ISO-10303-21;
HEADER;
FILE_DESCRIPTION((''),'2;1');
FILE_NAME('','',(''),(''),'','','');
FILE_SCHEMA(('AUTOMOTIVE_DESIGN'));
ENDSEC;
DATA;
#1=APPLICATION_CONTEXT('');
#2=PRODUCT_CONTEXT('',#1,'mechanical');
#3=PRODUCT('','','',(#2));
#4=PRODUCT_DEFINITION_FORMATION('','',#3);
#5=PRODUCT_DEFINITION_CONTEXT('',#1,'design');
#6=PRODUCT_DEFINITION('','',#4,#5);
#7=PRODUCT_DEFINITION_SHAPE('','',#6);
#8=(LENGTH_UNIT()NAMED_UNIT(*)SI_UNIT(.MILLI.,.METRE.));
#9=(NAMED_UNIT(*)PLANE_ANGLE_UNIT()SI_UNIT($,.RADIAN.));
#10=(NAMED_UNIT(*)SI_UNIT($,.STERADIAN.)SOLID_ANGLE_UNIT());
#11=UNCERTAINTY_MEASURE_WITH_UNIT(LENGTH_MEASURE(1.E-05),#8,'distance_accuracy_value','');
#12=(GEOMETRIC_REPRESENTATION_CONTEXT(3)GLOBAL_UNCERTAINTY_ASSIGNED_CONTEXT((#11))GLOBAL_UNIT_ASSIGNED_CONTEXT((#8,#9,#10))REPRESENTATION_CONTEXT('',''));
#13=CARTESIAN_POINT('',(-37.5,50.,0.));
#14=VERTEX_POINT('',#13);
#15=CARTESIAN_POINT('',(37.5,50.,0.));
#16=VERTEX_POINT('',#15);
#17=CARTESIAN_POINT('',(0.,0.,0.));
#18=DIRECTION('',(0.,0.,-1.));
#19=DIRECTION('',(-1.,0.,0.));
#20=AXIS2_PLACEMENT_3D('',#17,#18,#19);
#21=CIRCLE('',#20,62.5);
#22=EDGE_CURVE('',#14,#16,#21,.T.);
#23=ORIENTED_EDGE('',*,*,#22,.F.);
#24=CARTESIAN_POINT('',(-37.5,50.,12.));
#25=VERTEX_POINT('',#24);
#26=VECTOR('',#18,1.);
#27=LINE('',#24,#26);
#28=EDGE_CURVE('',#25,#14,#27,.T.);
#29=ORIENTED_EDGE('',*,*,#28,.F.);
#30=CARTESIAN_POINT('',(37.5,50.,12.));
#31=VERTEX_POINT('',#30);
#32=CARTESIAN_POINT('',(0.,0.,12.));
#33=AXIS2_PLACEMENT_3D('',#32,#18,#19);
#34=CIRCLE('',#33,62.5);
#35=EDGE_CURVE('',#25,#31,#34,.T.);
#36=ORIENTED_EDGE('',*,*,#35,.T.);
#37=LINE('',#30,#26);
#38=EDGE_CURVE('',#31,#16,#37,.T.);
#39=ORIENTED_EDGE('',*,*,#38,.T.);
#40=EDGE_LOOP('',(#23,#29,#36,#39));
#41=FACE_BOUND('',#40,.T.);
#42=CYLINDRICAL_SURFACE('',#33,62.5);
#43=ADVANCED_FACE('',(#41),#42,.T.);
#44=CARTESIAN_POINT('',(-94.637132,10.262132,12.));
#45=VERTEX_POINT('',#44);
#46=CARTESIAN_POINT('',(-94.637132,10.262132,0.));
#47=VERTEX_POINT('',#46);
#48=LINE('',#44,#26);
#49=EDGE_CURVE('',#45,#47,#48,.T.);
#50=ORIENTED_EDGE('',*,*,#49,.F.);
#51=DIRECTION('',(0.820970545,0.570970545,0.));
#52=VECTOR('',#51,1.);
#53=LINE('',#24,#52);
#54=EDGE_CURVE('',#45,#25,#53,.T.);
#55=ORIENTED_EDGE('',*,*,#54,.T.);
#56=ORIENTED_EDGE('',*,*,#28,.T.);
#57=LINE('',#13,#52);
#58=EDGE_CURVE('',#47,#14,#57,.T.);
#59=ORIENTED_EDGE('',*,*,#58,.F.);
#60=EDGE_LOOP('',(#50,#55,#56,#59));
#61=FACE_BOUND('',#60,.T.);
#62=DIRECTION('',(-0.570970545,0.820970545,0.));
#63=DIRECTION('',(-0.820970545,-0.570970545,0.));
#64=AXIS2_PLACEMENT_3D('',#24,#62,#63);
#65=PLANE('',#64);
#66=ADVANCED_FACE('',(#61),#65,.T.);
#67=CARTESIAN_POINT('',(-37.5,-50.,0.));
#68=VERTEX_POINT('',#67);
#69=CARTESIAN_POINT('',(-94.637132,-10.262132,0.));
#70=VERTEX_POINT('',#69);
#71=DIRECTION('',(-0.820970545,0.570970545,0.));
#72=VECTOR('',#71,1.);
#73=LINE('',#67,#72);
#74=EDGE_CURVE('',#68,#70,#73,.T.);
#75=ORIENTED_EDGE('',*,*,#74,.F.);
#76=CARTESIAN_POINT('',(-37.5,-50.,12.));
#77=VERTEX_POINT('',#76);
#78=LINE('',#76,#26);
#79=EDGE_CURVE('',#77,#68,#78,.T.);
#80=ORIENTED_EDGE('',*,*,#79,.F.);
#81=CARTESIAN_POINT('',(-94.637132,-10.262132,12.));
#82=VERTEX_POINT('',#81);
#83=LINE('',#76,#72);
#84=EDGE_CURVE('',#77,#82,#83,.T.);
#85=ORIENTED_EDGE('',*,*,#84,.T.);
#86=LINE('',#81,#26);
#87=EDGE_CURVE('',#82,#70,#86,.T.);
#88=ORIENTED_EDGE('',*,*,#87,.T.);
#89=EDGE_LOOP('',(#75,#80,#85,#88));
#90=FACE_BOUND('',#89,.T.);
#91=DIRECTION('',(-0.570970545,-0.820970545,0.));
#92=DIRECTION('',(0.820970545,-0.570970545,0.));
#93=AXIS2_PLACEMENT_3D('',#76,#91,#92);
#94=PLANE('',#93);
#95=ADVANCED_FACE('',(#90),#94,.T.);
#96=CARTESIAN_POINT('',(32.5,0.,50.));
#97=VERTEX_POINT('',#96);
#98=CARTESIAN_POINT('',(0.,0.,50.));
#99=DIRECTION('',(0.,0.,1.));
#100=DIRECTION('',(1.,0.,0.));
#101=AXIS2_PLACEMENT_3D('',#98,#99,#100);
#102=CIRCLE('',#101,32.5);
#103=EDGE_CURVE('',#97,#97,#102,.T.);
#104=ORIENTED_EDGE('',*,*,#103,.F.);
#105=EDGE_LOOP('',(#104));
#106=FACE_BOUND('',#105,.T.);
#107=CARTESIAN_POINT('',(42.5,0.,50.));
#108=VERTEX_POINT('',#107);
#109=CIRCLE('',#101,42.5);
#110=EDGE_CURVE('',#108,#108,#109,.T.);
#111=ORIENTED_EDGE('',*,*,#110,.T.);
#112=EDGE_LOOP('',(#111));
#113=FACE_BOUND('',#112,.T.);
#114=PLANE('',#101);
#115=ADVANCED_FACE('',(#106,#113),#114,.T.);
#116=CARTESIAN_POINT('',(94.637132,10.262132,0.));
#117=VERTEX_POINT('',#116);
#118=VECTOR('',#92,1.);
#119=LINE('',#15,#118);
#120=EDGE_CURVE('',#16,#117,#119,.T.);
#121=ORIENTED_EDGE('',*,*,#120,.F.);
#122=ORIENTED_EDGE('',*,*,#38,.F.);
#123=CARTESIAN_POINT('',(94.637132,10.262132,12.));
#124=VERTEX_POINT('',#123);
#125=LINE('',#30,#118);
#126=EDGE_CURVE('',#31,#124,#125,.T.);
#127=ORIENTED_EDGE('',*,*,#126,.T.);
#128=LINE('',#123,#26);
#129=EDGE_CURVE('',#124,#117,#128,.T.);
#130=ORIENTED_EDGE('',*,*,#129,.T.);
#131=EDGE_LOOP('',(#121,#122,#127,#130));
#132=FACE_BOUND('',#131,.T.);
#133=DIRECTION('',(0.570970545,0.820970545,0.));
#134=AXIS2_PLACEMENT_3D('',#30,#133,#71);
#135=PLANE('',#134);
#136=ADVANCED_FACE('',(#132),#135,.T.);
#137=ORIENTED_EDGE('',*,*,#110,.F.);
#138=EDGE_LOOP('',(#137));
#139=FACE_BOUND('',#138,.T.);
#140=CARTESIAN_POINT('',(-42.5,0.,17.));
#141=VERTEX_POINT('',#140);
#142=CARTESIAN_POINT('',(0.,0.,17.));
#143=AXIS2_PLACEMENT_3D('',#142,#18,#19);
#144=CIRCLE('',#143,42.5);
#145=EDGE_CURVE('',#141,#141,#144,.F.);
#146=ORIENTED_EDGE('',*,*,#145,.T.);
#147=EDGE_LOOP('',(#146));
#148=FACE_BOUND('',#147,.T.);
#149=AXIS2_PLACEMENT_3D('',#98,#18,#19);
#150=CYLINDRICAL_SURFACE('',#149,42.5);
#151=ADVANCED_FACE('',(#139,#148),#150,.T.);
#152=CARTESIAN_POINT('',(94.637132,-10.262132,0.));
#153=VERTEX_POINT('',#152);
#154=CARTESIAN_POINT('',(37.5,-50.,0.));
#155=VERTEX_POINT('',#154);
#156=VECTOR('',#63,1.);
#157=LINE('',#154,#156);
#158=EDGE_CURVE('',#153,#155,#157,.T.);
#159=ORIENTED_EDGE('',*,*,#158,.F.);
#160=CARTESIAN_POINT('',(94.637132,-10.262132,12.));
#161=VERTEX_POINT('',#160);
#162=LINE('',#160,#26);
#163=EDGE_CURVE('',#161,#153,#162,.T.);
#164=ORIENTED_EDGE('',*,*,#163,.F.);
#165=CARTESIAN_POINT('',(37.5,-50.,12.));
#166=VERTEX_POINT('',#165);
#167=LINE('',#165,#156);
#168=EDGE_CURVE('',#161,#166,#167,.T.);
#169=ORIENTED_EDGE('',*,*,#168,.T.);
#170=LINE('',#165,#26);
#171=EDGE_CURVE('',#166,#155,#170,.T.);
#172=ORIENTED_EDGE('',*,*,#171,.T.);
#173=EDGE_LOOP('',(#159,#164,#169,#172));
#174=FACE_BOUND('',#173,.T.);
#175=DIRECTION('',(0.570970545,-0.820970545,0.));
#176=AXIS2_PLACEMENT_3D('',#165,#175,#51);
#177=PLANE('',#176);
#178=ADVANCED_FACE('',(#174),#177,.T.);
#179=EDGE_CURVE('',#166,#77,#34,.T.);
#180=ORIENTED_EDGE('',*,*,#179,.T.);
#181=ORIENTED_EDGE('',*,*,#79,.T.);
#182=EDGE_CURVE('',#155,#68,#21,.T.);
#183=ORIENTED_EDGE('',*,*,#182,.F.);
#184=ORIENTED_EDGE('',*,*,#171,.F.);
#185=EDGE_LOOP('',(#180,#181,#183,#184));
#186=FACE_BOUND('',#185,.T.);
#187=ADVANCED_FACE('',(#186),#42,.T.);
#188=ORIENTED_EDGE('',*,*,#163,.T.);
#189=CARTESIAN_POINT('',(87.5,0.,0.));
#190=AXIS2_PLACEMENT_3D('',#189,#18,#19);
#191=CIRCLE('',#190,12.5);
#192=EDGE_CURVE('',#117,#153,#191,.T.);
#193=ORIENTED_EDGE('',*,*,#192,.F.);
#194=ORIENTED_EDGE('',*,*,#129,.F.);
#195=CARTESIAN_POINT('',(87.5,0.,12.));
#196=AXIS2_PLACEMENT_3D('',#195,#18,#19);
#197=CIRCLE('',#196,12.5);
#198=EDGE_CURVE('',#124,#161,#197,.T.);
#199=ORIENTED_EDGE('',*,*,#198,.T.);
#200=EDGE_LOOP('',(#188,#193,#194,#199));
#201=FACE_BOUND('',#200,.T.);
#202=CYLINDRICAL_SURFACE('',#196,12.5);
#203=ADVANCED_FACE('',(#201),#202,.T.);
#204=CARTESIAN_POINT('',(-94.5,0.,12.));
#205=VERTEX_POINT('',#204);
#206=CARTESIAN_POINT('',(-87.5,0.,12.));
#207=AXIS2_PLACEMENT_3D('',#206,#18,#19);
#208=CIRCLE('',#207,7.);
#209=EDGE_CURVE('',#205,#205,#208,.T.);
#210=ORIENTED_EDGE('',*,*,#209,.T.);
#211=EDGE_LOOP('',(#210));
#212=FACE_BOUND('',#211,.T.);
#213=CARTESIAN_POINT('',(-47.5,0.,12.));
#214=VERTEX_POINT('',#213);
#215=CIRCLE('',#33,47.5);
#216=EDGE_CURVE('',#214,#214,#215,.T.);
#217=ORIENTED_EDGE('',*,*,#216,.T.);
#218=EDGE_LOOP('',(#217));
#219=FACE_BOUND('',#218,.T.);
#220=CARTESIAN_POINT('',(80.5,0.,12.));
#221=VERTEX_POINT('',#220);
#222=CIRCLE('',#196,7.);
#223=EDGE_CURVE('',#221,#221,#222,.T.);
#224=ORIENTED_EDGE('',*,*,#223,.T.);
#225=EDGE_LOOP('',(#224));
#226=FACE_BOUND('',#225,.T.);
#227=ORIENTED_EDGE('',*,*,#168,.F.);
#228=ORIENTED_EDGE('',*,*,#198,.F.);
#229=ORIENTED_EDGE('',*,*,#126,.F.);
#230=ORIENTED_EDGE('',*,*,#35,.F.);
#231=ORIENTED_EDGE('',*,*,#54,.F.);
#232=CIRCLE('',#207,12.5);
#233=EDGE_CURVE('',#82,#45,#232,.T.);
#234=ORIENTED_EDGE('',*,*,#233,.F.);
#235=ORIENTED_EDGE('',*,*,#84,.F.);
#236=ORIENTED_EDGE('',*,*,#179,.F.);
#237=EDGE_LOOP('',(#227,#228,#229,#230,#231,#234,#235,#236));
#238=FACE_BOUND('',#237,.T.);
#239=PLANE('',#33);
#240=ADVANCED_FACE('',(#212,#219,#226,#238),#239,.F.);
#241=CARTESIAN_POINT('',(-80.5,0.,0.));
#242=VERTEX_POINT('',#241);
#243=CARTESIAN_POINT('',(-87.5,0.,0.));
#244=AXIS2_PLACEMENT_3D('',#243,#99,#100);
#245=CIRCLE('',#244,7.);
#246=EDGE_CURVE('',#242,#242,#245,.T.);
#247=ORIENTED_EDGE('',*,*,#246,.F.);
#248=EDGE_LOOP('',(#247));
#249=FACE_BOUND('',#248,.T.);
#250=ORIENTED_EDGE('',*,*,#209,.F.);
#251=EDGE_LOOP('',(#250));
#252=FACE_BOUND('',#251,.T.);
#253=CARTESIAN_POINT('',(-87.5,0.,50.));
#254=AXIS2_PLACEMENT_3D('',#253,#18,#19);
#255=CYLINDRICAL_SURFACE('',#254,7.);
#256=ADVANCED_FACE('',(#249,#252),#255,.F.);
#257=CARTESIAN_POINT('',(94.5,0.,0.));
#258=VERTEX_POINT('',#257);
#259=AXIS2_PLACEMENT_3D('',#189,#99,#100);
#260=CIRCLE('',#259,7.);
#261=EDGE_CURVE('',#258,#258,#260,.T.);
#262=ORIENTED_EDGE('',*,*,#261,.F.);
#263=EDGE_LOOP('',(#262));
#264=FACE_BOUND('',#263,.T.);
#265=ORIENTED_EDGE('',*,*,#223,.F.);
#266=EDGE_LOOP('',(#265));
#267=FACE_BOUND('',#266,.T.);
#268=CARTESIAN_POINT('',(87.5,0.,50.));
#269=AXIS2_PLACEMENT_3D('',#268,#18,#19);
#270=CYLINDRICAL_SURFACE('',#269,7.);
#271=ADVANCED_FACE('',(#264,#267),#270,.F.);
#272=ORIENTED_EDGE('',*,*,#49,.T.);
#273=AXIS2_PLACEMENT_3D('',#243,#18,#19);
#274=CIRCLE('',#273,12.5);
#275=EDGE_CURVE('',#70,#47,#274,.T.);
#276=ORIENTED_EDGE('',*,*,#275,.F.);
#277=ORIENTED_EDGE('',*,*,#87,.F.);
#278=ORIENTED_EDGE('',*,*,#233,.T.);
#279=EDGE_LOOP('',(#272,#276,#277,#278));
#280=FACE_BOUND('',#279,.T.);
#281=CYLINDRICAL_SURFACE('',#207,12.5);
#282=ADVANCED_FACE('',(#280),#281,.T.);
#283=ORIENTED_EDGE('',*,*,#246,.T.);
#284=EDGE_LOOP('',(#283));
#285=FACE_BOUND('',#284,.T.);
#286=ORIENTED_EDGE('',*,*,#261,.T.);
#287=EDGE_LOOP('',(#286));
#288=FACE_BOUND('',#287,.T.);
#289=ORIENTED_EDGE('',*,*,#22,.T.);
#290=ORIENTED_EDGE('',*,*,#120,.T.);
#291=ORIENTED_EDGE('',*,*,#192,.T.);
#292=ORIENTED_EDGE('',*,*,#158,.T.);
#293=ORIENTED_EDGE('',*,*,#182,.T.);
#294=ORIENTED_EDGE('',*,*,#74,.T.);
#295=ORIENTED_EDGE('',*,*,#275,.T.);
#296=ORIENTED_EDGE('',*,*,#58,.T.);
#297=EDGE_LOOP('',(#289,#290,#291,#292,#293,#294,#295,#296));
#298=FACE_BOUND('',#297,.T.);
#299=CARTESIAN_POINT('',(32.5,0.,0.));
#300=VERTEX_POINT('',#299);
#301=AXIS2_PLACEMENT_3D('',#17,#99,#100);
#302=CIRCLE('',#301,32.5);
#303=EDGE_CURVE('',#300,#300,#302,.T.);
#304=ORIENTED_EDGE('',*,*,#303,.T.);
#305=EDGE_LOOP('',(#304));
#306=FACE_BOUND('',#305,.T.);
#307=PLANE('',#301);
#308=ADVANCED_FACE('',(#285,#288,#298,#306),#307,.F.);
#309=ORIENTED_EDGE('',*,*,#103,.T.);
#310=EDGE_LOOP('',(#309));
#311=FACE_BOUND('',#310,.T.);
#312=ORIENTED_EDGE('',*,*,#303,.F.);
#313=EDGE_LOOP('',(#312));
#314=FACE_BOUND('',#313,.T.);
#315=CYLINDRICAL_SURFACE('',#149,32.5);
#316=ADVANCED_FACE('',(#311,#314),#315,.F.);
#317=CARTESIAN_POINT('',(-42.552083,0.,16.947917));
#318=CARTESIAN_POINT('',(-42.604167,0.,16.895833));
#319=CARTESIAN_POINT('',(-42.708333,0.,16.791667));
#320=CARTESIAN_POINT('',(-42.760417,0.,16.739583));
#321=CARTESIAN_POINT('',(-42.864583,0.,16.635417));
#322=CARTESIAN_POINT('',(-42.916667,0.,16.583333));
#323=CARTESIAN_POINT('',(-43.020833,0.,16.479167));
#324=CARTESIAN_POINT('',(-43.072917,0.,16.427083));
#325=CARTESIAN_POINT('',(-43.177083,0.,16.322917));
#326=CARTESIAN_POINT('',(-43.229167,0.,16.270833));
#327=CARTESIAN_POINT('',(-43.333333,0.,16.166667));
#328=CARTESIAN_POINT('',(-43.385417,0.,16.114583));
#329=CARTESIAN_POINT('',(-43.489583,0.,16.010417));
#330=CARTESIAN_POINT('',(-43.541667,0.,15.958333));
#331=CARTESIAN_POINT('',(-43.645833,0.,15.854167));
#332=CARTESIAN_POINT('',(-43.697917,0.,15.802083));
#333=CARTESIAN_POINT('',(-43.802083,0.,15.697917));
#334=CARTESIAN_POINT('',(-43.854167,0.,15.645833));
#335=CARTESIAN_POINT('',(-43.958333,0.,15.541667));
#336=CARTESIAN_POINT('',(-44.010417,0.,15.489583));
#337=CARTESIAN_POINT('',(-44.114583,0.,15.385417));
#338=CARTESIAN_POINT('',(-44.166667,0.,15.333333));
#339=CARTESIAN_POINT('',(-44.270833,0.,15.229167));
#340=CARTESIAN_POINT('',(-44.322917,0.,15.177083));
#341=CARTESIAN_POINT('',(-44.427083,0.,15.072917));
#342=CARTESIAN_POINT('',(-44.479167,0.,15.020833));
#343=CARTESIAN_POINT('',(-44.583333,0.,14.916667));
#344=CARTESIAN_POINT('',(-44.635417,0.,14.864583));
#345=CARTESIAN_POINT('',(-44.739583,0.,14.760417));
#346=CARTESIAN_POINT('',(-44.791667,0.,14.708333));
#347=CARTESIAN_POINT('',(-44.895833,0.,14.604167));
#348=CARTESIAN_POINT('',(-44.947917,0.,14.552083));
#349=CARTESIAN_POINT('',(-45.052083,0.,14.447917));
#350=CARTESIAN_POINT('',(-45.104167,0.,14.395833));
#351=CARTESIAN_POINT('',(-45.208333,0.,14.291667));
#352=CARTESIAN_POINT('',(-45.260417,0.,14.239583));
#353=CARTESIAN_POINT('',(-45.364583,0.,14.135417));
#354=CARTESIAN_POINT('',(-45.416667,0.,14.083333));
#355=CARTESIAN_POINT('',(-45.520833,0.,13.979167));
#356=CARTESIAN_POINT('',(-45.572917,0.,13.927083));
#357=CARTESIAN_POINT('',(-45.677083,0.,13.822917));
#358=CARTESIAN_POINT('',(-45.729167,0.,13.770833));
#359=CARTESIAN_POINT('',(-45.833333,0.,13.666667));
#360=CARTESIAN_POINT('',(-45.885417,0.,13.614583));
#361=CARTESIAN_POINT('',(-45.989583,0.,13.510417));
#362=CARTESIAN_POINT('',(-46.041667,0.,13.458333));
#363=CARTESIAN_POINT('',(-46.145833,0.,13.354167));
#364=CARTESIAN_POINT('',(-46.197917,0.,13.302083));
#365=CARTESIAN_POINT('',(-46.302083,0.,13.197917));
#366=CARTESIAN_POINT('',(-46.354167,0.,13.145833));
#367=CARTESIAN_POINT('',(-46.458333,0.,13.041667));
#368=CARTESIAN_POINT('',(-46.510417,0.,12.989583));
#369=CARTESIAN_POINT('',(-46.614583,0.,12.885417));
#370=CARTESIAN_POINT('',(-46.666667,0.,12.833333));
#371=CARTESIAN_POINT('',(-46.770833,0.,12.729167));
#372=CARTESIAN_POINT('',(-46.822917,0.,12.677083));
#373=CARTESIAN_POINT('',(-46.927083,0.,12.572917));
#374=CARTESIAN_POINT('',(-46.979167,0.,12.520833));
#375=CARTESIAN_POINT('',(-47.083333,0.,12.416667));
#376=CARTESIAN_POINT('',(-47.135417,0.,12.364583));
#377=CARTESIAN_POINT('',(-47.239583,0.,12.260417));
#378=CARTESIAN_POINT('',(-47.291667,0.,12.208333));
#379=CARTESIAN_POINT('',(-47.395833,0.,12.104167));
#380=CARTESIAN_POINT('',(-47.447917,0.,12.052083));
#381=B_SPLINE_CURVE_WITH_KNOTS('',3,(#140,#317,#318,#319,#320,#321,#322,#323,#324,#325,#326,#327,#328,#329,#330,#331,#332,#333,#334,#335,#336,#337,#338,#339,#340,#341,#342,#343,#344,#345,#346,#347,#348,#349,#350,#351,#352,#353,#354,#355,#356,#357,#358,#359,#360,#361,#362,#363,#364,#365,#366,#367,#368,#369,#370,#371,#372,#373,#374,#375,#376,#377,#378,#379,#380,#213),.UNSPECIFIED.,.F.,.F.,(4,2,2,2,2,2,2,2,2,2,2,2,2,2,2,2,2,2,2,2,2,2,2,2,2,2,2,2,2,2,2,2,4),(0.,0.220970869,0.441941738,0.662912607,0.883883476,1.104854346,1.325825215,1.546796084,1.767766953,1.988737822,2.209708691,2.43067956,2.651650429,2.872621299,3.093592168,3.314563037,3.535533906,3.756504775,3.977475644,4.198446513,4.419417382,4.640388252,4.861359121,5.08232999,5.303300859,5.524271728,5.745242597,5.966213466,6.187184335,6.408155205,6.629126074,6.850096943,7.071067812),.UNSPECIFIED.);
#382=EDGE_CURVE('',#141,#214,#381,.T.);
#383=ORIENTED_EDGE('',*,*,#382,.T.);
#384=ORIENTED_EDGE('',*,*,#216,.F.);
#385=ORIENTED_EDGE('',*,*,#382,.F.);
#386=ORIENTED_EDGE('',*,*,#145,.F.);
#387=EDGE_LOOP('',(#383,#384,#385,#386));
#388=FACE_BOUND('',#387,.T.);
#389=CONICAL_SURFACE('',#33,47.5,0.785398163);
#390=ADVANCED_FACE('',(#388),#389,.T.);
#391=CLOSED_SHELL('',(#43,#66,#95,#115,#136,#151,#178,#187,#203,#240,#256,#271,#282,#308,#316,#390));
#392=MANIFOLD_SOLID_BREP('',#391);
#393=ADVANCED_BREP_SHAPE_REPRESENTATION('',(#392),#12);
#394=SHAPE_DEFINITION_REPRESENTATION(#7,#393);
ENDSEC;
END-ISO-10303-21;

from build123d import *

# Parameters (mm, degrees)
SKETCH1_R               = 42.5
SKETCH1_R_2             = 32.5
BOSS_EXTRUDE1_DEPTH     = 50
SKETCH2_R               = 42.5
BOSS_EXTRUDE2_DEPTH     = 12
CUT_EXTRUDE1_DEPTH      = 129.086884575
CUT_EXTRUDE1_DEPTH_BACK = 129.086884575
SKETCH3_R               = 7
CHAMFER1_SIZE           = 5


with BuildPart() as part:
    # Sketch1 → Boss-Extrude1 (new body)
    with BuildSketch(Plane.XY):
        Circle(SKETCH1_R)
        Circle(SKETCH1_R_2, mode=Mode.SUBTRACT)
    extrude(amount=BOSS_EXTRUDE1_DEPTH)

    # Sketch2 → Boss-Extrude2 (add)
    with BuildSketch(Plane(origin=(0, 0, 0), x_dir=(-1, 0, 0), z_dir=(0, 0, -1))):
        with BuildLine():
            Line((-37.500000001, -49.999999999), (-94.637131817, -10.262131817))
            ThreePointArc((-94.637131817, -10.262131817), (-100, 0), (-94.637131817, 10.262131817))
            Line((-94.637131817, 10.262131817), (-37.500000001, 49.999999999))
            ThreePointArc((-37.500000001, 49.999999999), (0, 62.5), (37.500000001, 49.999999999))
            Line((37.500000001, 49.999999999), (94.637131817, 10.262131817))
            ThreePointArc((94.637131817, 10.262131817), (100, 0), (94.637131817, -10.262131817))
            Line((94.637131817, -10.262131817), (37.500000001, -49.999999999))
            ThreePointArc((37.500000001, -49.999999999), (0, -62.5), (-37.500000001, -49.999999999))
        make_face()
        Circle(SKETCH2_R, mode=Mode.SUBTRACT)
    extrude(amount=-BOSS_EXTRUDE2_DEPTH)

    # Sketch3 → Cut-Extrude1 (cut, two sides: drawn at the far end of the back side and taken through both)
    with BuildSketch(Plane(origin=(0, 0, 0), x_dir=(-1, 0, 0), z_dir=(0, 0, -1)).offset(-CUT_EXTRUDE1_DEPTH_BACK)):
        with Locations((87.5, 0)):
            Circle(SKETCH3_R)
        with Locations((-87.5, 0)):
            Circle(SKETCH3_R)
    extrude(amount=CUT_EXTRUDE1_DEPTH + CUT_EXTRUDE1_DEPTH_BACK, mode=Mode.SUBTRACT)

    # Chamfer1
    chamfer1_edges = [part.edges().sort_by_distance(p)[0] for p in [
        (-42.5, 0, 12),
    ]]
    chamfer(chamfer1_edges, length=CHAMFER1_SIZE)


solid = part.part
